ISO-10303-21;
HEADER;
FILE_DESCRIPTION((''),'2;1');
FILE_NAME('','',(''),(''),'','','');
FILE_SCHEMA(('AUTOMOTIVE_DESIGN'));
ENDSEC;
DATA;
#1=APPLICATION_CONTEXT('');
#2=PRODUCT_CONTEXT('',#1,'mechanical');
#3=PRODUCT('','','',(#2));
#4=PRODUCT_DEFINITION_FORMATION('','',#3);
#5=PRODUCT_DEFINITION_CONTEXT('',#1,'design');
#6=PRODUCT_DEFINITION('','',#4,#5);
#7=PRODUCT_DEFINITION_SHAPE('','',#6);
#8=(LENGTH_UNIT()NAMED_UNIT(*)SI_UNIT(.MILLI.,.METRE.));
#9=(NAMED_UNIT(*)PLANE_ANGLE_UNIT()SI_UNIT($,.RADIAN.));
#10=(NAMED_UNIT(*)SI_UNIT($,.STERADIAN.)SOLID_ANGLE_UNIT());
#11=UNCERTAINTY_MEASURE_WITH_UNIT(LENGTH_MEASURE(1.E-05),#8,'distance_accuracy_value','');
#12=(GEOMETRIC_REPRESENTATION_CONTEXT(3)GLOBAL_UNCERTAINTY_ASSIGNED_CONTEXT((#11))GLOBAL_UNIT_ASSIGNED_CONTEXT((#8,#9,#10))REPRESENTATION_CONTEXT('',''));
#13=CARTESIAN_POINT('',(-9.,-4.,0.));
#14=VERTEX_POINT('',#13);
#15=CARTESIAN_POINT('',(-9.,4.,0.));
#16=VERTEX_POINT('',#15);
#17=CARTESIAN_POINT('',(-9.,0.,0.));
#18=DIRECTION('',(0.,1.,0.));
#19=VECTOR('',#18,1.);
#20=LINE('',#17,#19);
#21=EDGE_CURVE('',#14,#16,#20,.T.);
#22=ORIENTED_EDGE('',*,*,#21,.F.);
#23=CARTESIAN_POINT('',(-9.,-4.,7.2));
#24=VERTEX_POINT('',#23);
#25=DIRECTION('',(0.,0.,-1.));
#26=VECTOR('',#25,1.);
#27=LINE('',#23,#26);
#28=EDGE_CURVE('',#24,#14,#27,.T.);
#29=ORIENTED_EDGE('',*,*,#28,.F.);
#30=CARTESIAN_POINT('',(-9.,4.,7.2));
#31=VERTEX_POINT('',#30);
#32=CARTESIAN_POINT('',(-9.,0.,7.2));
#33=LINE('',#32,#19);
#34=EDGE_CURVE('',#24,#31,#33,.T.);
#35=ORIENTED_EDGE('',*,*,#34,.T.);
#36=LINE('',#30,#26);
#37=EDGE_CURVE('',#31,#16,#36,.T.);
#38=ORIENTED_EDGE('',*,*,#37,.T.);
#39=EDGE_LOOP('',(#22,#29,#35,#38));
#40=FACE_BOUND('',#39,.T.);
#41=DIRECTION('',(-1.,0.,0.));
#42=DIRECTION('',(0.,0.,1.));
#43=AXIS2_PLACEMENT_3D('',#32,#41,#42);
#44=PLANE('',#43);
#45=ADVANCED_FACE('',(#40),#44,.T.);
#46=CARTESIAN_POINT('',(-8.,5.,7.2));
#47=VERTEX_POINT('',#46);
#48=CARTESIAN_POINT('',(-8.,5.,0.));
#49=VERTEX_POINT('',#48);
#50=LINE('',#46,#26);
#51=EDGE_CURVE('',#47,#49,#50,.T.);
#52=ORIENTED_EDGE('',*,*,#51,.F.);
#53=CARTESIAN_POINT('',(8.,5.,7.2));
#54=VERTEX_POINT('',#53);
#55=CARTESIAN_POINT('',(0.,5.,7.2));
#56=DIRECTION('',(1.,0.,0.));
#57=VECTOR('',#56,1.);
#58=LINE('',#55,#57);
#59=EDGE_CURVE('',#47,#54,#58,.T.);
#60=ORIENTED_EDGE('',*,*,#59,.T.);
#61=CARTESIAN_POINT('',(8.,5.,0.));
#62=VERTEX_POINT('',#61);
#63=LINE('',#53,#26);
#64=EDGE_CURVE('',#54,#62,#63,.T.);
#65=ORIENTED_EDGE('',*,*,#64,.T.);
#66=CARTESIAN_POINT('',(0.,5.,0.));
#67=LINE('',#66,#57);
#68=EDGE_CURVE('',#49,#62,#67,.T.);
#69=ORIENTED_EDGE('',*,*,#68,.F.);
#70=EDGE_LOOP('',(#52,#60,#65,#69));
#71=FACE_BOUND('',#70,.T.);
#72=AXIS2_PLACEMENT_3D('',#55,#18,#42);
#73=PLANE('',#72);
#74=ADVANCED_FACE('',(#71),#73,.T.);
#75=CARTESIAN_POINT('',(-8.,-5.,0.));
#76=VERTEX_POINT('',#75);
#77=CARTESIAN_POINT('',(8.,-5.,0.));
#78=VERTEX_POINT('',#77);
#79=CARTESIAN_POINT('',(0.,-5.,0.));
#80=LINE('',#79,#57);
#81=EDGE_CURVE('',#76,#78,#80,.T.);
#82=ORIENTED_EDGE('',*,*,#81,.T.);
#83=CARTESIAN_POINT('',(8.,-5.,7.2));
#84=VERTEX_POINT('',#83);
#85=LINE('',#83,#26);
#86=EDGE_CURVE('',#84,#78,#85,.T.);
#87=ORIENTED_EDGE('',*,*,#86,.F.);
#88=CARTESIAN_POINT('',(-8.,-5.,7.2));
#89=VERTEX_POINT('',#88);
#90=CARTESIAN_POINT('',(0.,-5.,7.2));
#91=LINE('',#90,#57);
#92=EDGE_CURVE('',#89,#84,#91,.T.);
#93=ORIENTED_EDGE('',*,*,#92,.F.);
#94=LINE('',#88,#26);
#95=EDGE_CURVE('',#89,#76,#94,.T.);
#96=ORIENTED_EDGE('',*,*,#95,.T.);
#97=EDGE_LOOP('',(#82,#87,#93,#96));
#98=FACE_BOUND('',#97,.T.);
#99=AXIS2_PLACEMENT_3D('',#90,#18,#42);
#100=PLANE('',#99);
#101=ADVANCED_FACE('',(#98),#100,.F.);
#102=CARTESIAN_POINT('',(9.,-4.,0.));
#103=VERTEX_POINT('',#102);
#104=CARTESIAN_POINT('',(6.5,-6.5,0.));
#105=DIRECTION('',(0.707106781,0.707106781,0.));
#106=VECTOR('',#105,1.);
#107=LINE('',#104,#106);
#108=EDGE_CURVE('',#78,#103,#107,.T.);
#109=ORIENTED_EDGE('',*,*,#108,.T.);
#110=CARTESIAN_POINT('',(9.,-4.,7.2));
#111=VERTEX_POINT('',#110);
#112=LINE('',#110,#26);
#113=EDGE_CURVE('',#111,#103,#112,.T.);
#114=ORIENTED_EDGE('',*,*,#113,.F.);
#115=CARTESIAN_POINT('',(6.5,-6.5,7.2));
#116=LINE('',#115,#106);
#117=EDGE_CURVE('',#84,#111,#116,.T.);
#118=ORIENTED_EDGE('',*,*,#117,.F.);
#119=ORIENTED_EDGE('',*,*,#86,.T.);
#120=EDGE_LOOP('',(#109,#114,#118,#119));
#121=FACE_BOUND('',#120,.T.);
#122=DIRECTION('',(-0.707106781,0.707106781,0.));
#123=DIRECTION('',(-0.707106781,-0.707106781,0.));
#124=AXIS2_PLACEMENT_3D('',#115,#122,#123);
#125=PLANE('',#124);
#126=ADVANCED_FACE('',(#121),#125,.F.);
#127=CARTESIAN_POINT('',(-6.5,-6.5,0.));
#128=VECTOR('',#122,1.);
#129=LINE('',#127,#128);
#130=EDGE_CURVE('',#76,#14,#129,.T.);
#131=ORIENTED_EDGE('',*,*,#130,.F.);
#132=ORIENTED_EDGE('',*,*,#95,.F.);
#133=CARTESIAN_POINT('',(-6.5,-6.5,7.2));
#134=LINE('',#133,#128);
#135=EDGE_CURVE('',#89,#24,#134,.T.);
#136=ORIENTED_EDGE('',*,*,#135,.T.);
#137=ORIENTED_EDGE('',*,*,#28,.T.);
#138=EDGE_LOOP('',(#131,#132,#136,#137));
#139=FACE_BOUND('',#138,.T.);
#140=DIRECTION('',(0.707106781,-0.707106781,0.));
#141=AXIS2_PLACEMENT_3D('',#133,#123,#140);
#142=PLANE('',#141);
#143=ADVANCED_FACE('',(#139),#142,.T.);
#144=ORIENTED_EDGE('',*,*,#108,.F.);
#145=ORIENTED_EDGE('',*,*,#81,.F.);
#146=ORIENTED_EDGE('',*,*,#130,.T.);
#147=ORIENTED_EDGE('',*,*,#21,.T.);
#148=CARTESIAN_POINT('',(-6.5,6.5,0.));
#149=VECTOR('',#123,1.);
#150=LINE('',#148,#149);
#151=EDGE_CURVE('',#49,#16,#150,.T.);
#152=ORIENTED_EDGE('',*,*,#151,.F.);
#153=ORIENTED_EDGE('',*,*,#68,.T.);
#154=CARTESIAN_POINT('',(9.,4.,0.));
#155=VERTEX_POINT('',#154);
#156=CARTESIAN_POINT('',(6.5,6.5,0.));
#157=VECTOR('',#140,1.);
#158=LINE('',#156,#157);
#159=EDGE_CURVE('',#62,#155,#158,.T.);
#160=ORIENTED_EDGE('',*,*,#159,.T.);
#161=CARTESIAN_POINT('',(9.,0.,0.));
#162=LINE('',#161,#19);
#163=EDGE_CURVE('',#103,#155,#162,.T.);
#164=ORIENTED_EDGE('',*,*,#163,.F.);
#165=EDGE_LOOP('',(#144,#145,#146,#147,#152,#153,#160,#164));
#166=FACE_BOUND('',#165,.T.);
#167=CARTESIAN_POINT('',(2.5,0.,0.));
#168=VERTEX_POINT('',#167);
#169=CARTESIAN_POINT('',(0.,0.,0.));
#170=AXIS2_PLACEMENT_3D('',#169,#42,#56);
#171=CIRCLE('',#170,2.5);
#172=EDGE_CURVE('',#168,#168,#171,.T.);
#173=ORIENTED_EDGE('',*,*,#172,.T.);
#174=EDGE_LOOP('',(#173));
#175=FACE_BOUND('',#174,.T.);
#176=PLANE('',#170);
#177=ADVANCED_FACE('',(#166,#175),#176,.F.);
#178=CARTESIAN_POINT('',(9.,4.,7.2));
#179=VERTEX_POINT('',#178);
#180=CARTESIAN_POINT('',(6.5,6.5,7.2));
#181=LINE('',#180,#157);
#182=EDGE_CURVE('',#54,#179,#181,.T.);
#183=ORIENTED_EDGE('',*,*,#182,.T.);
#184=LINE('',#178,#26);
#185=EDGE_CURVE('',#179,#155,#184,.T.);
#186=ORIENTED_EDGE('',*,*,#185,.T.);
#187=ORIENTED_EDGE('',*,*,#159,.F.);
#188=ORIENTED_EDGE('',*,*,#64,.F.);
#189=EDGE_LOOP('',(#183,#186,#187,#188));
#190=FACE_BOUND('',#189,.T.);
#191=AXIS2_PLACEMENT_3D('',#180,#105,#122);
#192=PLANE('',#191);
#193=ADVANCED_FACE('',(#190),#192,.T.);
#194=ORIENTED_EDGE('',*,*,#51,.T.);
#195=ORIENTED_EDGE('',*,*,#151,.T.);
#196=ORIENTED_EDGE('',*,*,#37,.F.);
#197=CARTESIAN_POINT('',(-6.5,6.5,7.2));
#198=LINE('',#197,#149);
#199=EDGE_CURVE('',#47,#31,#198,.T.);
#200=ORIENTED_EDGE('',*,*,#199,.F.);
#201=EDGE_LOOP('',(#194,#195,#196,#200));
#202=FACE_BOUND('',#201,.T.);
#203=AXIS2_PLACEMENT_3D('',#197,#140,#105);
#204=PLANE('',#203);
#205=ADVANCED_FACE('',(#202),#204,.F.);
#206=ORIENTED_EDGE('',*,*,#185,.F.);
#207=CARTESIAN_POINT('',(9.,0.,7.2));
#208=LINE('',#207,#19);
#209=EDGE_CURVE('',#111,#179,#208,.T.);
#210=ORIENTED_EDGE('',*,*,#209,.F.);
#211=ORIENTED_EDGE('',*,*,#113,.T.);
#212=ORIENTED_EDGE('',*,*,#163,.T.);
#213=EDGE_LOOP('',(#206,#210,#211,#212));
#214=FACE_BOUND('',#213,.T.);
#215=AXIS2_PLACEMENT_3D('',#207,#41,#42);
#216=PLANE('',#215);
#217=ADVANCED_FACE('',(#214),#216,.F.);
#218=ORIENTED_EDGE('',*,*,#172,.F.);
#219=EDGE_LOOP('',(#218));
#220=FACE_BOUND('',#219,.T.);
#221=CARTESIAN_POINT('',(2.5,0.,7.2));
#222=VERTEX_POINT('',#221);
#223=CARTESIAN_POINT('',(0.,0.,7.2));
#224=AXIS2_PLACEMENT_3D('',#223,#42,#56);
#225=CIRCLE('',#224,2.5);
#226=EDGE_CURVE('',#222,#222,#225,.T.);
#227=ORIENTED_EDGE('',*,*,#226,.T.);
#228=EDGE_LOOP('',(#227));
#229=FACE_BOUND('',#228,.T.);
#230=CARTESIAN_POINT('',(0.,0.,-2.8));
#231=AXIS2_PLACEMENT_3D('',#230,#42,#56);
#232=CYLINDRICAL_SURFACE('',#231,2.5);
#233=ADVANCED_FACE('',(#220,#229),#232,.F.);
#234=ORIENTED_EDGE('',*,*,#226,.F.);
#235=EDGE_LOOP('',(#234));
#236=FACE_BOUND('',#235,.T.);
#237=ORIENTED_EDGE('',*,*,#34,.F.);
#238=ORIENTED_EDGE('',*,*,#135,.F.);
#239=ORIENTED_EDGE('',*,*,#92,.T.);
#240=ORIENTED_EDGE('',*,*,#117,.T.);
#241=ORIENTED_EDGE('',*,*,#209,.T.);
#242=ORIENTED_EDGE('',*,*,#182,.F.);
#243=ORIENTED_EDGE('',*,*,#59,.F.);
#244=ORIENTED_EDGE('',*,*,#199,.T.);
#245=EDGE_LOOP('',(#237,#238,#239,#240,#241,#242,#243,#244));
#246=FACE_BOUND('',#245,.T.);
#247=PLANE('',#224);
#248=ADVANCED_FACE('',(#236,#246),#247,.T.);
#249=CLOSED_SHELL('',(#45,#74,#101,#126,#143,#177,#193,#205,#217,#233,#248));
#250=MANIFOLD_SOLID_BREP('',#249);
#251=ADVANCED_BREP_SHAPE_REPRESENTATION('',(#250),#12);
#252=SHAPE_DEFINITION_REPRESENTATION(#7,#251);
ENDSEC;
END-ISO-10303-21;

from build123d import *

# Parameters (mm, degrees)
BOSS_EXTRUDE1_DEPTH = 7.2
SKETCH2_R           = 2.5
CUT_EXTRUDE1_DEPTH  = 10


with BuildPart() as part:
    # Sketch1 → Boss-Extrude1 (new body)
    with BuildSketch(Plane.XY):
        Polygon((8, 5), (-8, 5), (-9, 4), (-9, -4), (-8, -5), (8, -5), (9, -4), (9, 4), align=None)
    extrude(amount=BOSS_EXTRUDE1_DEPTH)

    # Sketch2 → Cut-Extrude1 (cut)
    with BuildSketch(Plane.XY.offset(7.2)):
        Circle(SKETCH2_R)
    extrude(amount=-CUT_EXTRUDE1_DEPTH, mode=Mode.SUBTRACT)


solid = part.part
